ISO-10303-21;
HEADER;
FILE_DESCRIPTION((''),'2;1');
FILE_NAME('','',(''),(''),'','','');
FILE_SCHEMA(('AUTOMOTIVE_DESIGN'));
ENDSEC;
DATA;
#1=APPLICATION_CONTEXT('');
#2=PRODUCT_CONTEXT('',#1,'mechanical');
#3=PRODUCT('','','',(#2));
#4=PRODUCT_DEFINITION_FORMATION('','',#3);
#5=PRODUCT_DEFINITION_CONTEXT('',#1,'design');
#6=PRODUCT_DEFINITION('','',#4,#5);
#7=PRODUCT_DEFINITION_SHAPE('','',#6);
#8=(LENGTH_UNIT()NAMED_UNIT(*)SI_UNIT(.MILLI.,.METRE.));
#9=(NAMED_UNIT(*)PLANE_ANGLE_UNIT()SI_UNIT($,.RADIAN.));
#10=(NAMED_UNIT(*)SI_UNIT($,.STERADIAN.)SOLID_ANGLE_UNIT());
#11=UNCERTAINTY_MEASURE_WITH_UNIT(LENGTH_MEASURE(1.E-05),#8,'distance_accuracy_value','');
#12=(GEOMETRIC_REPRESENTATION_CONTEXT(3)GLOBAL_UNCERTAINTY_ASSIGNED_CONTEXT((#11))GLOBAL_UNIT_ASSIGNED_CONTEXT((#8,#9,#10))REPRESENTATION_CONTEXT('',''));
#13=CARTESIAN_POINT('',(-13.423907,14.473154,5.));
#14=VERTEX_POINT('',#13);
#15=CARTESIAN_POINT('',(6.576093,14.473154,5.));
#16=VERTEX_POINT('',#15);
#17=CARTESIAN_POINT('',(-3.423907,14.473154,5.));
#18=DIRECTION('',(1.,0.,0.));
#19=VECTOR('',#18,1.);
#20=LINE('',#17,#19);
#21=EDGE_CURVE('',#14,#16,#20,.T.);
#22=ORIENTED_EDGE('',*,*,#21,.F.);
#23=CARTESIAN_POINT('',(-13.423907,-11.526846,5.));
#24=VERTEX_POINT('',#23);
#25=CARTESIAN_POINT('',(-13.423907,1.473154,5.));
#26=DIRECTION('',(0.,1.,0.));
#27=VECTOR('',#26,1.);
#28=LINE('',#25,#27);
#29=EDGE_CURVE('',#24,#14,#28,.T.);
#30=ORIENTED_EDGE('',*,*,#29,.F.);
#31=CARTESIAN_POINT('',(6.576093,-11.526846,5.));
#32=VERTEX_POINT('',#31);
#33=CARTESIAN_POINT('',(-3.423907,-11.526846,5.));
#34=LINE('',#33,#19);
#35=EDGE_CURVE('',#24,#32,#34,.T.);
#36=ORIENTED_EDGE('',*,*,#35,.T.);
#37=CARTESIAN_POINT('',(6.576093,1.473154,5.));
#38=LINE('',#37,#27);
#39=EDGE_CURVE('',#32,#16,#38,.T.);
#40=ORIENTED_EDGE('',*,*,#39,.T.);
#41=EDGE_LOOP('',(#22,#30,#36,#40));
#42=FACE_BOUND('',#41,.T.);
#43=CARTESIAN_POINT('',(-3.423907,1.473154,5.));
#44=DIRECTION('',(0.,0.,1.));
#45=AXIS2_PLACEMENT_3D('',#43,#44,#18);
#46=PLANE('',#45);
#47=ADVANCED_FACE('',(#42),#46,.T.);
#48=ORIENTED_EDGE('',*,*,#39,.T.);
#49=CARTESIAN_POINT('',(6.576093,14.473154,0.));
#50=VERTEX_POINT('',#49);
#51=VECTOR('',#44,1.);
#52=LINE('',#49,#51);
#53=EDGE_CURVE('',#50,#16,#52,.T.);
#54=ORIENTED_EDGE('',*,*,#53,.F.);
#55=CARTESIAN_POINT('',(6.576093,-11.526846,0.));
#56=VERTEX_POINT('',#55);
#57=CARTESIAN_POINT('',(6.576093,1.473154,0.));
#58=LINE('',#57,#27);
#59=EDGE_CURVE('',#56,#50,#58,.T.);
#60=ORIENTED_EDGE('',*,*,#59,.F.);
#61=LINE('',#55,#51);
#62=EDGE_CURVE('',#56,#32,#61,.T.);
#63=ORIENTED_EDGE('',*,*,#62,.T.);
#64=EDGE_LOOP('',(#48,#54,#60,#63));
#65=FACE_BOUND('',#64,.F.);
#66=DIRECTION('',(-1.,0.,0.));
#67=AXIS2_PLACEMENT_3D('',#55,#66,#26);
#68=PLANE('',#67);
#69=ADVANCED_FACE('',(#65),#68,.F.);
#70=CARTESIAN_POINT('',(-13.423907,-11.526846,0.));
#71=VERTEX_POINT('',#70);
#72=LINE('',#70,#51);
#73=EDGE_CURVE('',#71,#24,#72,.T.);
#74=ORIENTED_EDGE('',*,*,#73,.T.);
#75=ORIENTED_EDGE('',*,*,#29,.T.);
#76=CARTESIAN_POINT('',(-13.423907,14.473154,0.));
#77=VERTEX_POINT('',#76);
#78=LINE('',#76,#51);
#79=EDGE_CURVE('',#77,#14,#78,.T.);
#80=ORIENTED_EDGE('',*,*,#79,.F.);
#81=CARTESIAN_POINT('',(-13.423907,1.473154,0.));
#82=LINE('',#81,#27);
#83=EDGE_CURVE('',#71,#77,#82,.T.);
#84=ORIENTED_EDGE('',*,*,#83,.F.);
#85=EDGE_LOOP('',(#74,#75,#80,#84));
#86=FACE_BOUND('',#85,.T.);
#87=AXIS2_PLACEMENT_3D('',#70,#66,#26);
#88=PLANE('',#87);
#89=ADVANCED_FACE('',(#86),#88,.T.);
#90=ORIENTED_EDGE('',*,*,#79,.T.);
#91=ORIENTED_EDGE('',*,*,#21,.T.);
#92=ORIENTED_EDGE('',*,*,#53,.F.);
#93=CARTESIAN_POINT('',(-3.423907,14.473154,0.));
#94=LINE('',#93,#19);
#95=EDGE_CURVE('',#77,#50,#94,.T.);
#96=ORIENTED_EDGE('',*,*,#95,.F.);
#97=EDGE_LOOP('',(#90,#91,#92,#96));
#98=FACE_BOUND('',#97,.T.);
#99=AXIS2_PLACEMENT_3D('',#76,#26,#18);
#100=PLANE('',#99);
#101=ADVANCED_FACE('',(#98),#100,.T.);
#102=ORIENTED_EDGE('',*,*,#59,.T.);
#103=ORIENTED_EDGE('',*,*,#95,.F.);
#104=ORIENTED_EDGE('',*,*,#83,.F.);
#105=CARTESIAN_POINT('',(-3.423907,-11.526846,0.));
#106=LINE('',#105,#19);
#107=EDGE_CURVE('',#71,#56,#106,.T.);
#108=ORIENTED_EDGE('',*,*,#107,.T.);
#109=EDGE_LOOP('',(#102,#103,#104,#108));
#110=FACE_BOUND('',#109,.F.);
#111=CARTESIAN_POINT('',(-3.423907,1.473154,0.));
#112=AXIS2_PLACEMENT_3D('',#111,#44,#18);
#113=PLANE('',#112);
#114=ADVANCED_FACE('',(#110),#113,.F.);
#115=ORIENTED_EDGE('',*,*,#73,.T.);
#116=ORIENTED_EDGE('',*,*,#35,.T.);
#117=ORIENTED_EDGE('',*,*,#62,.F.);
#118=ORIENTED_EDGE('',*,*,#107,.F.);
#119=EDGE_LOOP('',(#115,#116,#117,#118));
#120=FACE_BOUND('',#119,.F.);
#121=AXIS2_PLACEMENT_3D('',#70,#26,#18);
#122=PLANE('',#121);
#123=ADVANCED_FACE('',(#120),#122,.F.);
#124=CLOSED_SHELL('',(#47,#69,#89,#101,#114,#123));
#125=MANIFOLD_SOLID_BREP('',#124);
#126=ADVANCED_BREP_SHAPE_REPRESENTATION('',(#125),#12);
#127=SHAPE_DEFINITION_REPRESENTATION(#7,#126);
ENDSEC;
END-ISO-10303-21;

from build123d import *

# Parameters (mm, degrees)
SKETCH_W  = 20
SKETCH_H  = 26
PAD_DEPTH = 5


with BuildPart() as part:
    # Sketch → Pad (new body)
    with BuildSketch(Plane.XY):
        with Locations((-3.423907, 1.473154)):
            Rectangle(SKETCH_W, SKETCH_H)
    extrude(amount=PAD_DEPTH)


solid = part.part
